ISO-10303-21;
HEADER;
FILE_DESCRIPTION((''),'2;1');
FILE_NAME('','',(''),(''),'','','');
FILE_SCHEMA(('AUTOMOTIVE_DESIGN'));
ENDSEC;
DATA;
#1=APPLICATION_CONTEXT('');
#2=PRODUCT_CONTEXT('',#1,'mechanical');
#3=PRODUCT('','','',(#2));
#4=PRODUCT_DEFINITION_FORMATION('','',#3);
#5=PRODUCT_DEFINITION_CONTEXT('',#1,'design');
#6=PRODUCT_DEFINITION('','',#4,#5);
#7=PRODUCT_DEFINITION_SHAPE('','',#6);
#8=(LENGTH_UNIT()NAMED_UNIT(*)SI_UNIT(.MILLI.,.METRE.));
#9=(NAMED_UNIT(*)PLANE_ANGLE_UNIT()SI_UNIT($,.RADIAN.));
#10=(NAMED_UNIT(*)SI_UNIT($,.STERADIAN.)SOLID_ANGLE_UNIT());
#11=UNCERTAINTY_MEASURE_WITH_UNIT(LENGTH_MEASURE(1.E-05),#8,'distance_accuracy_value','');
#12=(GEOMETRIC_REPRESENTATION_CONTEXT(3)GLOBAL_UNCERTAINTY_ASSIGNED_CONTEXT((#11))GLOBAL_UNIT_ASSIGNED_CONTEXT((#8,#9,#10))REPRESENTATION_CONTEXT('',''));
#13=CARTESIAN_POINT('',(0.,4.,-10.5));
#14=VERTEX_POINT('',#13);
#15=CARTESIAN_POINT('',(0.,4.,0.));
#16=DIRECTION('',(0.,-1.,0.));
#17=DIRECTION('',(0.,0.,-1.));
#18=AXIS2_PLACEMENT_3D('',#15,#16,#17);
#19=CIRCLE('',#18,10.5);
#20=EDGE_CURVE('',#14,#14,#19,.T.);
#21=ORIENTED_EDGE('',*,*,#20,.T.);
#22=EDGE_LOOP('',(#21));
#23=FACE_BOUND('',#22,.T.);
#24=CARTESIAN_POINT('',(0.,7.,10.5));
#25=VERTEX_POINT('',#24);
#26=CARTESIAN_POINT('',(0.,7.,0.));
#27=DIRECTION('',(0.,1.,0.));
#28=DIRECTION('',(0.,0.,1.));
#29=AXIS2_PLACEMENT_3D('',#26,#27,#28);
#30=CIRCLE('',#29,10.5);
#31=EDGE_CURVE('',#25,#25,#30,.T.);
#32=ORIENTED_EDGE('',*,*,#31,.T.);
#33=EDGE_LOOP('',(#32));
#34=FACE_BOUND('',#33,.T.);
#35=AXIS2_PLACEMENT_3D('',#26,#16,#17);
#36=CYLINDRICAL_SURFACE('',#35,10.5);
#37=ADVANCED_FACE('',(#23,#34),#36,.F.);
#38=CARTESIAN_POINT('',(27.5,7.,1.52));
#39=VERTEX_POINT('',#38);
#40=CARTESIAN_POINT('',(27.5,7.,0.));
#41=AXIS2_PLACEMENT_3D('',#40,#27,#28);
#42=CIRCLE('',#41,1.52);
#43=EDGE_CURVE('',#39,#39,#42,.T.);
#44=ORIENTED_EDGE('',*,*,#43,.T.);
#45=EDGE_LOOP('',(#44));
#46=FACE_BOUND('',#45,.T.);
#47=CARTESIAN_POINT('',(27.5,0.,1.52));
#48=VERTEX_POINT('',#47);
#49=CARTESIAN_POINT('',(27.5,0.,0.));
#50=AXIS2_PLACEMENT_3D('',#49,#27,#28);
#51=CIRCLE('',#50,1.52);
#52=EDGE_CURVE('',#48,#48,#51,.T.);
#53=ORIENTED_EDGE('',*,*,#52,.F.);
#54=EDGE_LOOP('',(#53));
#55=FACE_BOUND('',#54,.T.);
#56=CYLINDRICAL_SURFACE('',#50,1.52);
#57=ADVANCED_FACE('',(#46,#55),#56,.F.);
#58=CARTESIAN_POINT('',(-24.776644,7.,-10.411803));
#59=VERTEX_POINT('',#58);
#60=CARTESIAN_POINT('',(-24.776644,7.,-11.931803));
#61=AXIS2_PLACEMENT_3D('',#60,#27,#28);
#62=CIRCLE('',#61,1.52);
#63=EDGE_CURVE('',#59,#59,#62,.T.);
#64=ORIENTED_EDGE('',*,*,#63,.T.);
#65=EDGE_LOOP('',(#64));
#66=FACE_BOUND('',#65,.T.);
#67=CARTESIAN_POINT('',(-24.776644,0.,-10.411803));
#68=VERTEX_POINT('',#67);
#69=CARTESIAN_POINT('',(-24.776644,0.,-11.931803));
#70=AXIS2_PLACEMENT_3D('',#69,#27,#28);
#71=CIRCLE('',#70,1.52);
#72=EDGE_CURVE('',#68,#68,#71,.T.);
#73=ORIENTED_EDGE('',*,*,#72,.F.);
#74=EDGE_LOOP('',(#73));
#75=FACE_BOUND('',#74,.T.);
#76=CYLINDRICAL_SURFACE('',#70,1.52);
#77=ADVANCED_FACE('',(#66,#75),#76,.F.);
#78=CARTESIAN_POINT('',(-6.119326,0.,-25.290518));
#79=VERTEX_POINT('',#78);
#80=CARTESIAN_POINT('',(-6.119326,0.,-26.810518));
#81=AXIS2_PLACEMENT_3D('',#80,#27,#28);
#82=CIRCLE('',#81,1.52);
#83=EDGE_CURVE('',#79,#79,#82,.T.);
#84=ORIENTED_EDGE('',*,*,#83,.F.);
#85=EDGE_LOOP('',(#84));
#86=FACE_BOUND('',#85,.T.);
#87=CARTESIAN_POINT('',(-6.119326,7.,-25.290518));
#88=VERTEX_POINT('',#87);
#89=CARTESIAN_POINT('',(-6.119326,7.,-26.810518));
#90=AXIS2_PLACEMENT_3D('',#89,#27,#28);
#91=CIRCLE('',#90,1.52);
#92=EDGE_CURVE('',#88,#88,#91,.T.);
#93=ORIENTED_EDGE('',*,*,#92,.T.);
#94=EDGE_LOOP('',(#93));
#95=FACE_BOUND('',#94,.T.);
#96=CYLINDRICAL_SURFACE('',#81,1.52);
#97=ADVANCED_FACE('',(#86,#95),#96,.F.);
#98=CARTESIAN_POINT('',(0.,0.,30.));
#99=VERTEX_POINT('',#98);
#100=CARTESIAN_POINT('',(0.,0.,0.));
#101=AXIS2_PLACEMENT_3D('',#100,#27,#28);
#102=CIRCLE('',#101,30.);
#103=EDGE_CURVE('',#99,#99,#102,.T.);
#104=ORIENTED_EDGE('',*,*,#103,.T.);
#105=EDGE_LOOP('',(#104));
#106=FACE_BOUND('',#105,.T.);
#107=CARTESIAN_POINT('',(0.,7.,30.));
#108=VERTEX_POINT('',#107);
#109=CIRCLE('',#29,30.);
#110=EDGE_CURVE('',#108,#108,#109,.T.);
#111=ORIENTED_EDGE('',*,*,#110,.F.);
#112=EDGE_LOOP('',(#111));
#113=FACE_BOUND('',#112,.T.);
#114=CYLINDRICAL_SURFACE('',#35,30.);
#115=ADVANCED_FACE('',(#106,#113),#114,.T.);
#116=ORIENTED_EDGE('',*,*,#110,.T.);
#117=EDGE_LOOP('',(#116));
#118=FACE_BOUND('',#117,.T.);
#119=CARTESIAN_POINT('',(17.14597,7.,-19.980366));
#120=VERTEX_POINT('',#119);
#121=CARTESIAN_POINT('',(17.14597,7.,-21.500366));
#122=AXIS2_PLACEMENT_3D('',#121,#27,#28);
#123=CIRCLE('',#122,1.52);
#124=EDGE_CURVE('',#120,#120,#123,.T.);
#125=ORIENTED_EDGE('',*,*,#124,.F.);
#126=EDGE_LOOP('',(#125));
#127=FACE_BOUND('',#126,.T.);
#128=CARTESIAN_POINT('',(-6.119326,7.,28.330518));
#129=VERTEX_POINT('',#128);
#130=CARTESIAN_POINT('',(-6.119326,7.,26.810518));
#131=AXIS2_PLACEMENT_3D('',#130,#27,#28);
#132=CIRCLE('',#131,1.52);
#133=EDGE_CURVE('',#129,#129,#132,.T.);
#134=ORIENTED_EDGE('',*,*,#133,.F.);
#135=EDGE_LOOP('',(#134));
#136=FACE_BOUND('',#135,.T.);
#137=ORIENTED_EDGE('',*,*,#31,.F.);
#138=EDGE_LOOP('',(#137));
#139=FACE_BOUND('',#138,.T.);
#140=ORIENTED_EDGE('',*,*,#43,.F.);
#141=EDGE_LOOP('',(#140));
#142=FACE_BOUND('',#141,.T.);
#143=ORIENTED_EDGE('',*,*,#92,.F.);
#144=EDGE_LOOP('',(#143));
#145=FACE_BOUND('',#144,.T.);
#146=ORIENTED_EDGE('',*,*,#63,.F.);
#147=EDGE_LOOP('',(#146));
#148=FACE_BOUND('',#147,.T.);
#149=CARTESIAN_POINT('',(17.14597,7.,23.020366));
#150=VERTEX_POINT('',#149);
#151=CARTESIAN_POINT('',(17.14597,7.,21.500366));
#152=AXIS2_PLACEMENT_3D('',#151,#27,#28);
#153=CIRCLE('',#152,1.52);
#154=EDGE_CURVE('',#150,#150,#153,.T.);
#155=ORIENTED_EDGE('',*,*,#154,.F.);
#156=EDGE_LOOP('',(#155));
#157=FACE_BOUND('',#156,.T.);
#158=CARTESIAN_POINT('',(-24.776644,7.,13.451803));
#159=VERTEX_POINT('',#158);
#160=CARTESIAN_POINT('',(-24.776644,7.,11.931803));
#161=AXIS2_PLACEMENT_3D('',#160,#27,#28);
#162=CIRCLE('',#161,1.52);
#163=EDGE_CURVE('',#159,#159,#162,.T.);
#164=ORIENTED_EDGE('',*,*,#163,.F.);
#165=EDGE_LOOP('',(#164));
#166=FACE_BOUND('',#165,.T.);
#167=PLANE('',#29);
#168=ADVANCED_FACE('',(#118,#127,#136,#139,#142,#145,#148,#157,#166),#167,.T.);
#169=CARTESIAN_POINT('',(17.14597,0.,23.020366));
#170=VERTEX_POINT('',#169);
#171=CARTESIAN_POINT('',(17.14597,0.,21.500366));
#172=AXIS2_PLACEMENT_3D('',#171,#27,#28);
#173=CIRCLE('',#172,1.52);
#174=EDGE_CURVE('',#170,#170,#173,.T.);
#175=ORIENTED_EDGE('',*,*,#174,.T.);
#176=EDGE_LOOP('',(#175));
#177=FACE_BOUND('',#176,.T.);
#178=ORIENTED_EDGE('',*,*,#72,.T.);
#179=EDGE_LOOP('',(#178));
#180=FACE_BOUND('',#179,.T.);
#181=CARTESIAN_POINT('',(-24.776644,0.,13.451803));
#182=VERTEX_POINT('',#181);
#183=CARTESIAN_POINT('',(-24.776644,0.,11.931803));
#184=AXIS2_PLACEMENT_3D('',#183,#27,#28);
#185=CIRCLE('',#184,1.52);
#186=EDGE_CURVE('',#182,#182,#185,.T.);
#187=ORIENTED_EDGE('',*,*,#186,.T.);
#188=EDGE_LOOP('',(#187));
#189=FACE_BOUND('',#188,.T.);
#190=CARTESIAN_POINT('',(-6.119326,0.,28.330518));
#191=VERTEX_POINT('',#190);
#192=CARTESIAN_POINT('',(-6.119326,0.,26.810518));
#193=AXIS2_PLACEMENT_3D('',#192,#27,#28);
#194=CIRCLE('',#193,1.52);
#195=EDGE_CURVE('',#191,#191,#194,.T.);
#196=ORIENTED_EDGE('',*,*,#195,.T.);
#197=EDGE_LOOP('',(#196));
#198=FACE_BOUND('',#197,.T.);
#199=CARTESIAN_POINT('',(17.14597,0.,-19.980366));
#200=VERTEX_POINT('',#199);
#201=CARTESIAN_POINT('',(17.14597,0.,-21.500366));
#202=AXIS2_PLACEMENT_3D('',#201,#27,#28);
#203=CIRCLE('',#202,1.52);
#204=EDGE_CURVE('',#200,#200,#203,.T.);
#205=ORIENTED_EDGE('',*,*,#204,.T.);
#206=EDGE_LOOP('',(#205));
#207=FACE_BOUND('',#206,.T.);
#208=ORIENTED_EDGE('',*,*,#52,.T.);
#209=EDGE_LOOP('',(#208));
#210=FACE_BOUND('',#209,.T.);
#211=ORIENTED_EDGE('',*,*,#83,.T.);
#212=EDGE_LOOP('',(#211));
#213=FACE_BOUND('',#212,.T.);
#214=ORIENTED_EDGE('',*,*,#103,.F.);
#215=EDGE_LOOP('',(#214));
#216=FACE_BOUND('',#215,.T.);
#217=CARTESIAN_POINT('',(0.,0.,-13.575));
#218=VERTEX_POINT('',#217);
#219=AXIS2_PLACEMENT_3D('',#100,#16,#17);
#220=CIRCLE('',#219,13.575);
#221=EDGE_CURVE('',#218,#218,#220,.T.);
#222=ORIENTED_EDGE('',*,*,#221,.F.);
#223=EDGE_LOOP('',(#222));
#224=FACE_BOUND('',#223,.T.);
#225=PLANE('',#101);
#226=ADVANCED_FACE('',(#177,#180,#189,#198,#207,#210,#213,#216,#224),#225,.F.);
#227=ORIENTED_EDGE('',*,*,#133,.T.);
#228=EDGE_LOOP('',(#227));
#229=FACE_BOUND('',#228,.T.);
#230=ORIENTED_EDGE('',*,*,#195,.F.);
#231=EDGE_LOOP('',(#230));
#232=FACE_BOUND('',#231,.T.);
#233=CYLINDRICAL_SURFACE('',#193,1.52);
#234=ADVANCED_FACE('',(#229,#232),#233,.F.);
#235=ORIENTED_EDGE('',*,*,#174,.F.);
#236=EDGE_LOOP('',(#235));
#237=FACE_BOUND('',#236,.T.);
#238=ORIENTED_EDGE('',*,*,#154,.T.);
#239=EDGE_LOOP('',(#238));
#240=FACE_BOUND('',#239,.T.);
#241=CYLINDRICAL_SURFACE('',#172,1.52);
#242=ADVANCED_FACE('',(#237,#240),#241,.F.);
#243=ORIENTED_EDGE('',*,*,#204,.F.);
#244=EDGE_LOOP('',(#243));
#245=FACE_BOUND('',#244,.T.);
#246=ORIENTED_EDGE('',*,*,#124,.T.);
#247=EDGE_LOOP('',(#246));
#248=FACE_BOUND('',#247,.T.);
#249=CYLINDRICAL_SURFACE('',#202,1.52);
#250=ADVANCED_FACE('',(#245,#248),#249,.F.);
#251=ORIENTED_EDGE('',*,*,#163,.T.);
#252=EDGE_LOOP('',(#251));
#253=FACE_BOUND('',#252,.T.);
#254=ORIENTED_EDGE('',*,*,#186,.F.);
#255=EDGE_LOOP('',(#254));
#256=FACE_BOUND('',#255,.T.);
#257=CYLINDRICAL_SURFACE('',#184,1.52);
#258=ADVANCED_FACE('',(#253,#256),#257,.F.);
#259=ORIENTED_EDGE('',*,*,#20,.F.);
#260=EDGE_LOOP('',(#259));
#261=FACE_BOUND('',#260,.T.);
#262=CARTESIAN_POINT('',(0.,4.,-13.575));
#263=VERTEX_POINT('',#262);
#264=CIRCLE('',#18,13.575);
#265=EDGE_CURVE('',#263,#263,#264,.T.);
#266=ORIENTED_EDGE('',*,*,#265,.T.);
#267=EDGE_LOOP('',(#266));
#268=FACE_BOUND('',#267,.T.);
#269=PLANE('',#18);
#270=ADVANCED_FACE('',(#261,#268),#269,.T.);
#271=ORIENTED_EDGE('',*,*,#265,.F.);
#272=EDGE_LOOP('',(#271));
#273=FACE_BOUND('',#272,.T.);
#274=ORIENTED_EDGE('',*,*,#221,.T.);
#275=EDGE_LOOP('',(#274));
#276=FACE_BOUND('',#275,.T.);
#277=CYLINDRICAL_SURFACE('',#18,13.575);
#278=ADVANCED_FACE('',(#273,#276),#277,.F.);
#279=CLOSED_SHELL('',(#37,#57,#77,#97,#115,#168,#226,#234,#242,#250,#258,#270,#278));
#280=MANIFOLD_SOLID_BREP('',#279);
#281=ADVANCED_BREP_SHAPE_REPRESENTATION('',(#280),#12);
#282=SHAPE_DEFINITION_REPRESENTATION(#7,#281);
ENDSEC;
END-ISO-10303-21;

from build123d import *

# Parameters (mm, degrees)
CROQUIS1_R              = 30
CROQUIS1_R_2            = 10.5
SALIENTE_EXTRUIR1_DEPTH = 7
CROQUIS2_R              = 13.575
CORTAR_EXTRUIR1_DEPTH   = 4
CROQUIS3_R              = 1.52
CORTAR_EXTRUIR2_DEPTH   = 44


with BuildPart() as part:
    # Croquis1 → Saliente-Extruir1 (new body)
    with BuildSketch(Plane(origin=(0, 0, 0), x_dir=(1, 0, 0), z_dir=(0, 1, 0))):
        with Locations(Location((0, 0, 0), (0, 0, 270))):
            Circle(CROQUIS1_R)
        with Locations(Location((0, 0, 0), (0, 0, 270))):
            Circle(CROQUIS1_R_2, mode=Mode.SUBTRACT)
    extrude(amount=SALIENTE_EXTRUIR1_DEPTH)

    # Croquis2 → Cortar-Extruir1 (cut)
    with BuildSketch(Plane.XZ):
        with Locations(Location((0, 0, 0), (0, 0, 270))):
            Circle(CROQUIS2_R)
    extrude(amount=-CORTAR_EXTRUIR1_DEPTH, mode=Mode.SUBTRACT)

    # Croquis3 → Cortar-Extruir2 (cut, through all)
    with BuildSketch(Plane(origin=(0, 7, 0), x_dir=(1, 0, 0), z_dir=(0, 1, 0))):
        with Locations(Location((27.5, 0, 0), (0, 0, 270))):
            Circle(CROQUIS3_R)
        with Locations(Location((17.145969551, -21.500365768, 0), (0, 0, 270))):
            Circle(CROQUIS3_R)
        with Locations(Location((-6.119325684, -26.810517585, 0), (0, 0, 270))):
            Circle(CROQUIS3_R)
        with Locations(Location((-24.776643867, -11.931802826, 0), (0, 0, 270))):
            Circle(CROQUIS3_R)
        with Locations(Location((-24.776643867, 11.931802826, 0), (0, 0, 270))):
            Circle(CROQUIS3_R)
        with Locations(Location((-6.119325684, 26.810517585, 0), (0, 0, 270))):
            Circle(CROQUIS3_R)
        with Locations(Location((17.145969551, 21.500365768, 0), (0, 0, 270))):
            Circle(CROQUIS3_R)
    extrude(amount=-CORTAR_EXTRUIR2_DEPTH, mode=Mode.SUBTRACT)


solid = part.part
